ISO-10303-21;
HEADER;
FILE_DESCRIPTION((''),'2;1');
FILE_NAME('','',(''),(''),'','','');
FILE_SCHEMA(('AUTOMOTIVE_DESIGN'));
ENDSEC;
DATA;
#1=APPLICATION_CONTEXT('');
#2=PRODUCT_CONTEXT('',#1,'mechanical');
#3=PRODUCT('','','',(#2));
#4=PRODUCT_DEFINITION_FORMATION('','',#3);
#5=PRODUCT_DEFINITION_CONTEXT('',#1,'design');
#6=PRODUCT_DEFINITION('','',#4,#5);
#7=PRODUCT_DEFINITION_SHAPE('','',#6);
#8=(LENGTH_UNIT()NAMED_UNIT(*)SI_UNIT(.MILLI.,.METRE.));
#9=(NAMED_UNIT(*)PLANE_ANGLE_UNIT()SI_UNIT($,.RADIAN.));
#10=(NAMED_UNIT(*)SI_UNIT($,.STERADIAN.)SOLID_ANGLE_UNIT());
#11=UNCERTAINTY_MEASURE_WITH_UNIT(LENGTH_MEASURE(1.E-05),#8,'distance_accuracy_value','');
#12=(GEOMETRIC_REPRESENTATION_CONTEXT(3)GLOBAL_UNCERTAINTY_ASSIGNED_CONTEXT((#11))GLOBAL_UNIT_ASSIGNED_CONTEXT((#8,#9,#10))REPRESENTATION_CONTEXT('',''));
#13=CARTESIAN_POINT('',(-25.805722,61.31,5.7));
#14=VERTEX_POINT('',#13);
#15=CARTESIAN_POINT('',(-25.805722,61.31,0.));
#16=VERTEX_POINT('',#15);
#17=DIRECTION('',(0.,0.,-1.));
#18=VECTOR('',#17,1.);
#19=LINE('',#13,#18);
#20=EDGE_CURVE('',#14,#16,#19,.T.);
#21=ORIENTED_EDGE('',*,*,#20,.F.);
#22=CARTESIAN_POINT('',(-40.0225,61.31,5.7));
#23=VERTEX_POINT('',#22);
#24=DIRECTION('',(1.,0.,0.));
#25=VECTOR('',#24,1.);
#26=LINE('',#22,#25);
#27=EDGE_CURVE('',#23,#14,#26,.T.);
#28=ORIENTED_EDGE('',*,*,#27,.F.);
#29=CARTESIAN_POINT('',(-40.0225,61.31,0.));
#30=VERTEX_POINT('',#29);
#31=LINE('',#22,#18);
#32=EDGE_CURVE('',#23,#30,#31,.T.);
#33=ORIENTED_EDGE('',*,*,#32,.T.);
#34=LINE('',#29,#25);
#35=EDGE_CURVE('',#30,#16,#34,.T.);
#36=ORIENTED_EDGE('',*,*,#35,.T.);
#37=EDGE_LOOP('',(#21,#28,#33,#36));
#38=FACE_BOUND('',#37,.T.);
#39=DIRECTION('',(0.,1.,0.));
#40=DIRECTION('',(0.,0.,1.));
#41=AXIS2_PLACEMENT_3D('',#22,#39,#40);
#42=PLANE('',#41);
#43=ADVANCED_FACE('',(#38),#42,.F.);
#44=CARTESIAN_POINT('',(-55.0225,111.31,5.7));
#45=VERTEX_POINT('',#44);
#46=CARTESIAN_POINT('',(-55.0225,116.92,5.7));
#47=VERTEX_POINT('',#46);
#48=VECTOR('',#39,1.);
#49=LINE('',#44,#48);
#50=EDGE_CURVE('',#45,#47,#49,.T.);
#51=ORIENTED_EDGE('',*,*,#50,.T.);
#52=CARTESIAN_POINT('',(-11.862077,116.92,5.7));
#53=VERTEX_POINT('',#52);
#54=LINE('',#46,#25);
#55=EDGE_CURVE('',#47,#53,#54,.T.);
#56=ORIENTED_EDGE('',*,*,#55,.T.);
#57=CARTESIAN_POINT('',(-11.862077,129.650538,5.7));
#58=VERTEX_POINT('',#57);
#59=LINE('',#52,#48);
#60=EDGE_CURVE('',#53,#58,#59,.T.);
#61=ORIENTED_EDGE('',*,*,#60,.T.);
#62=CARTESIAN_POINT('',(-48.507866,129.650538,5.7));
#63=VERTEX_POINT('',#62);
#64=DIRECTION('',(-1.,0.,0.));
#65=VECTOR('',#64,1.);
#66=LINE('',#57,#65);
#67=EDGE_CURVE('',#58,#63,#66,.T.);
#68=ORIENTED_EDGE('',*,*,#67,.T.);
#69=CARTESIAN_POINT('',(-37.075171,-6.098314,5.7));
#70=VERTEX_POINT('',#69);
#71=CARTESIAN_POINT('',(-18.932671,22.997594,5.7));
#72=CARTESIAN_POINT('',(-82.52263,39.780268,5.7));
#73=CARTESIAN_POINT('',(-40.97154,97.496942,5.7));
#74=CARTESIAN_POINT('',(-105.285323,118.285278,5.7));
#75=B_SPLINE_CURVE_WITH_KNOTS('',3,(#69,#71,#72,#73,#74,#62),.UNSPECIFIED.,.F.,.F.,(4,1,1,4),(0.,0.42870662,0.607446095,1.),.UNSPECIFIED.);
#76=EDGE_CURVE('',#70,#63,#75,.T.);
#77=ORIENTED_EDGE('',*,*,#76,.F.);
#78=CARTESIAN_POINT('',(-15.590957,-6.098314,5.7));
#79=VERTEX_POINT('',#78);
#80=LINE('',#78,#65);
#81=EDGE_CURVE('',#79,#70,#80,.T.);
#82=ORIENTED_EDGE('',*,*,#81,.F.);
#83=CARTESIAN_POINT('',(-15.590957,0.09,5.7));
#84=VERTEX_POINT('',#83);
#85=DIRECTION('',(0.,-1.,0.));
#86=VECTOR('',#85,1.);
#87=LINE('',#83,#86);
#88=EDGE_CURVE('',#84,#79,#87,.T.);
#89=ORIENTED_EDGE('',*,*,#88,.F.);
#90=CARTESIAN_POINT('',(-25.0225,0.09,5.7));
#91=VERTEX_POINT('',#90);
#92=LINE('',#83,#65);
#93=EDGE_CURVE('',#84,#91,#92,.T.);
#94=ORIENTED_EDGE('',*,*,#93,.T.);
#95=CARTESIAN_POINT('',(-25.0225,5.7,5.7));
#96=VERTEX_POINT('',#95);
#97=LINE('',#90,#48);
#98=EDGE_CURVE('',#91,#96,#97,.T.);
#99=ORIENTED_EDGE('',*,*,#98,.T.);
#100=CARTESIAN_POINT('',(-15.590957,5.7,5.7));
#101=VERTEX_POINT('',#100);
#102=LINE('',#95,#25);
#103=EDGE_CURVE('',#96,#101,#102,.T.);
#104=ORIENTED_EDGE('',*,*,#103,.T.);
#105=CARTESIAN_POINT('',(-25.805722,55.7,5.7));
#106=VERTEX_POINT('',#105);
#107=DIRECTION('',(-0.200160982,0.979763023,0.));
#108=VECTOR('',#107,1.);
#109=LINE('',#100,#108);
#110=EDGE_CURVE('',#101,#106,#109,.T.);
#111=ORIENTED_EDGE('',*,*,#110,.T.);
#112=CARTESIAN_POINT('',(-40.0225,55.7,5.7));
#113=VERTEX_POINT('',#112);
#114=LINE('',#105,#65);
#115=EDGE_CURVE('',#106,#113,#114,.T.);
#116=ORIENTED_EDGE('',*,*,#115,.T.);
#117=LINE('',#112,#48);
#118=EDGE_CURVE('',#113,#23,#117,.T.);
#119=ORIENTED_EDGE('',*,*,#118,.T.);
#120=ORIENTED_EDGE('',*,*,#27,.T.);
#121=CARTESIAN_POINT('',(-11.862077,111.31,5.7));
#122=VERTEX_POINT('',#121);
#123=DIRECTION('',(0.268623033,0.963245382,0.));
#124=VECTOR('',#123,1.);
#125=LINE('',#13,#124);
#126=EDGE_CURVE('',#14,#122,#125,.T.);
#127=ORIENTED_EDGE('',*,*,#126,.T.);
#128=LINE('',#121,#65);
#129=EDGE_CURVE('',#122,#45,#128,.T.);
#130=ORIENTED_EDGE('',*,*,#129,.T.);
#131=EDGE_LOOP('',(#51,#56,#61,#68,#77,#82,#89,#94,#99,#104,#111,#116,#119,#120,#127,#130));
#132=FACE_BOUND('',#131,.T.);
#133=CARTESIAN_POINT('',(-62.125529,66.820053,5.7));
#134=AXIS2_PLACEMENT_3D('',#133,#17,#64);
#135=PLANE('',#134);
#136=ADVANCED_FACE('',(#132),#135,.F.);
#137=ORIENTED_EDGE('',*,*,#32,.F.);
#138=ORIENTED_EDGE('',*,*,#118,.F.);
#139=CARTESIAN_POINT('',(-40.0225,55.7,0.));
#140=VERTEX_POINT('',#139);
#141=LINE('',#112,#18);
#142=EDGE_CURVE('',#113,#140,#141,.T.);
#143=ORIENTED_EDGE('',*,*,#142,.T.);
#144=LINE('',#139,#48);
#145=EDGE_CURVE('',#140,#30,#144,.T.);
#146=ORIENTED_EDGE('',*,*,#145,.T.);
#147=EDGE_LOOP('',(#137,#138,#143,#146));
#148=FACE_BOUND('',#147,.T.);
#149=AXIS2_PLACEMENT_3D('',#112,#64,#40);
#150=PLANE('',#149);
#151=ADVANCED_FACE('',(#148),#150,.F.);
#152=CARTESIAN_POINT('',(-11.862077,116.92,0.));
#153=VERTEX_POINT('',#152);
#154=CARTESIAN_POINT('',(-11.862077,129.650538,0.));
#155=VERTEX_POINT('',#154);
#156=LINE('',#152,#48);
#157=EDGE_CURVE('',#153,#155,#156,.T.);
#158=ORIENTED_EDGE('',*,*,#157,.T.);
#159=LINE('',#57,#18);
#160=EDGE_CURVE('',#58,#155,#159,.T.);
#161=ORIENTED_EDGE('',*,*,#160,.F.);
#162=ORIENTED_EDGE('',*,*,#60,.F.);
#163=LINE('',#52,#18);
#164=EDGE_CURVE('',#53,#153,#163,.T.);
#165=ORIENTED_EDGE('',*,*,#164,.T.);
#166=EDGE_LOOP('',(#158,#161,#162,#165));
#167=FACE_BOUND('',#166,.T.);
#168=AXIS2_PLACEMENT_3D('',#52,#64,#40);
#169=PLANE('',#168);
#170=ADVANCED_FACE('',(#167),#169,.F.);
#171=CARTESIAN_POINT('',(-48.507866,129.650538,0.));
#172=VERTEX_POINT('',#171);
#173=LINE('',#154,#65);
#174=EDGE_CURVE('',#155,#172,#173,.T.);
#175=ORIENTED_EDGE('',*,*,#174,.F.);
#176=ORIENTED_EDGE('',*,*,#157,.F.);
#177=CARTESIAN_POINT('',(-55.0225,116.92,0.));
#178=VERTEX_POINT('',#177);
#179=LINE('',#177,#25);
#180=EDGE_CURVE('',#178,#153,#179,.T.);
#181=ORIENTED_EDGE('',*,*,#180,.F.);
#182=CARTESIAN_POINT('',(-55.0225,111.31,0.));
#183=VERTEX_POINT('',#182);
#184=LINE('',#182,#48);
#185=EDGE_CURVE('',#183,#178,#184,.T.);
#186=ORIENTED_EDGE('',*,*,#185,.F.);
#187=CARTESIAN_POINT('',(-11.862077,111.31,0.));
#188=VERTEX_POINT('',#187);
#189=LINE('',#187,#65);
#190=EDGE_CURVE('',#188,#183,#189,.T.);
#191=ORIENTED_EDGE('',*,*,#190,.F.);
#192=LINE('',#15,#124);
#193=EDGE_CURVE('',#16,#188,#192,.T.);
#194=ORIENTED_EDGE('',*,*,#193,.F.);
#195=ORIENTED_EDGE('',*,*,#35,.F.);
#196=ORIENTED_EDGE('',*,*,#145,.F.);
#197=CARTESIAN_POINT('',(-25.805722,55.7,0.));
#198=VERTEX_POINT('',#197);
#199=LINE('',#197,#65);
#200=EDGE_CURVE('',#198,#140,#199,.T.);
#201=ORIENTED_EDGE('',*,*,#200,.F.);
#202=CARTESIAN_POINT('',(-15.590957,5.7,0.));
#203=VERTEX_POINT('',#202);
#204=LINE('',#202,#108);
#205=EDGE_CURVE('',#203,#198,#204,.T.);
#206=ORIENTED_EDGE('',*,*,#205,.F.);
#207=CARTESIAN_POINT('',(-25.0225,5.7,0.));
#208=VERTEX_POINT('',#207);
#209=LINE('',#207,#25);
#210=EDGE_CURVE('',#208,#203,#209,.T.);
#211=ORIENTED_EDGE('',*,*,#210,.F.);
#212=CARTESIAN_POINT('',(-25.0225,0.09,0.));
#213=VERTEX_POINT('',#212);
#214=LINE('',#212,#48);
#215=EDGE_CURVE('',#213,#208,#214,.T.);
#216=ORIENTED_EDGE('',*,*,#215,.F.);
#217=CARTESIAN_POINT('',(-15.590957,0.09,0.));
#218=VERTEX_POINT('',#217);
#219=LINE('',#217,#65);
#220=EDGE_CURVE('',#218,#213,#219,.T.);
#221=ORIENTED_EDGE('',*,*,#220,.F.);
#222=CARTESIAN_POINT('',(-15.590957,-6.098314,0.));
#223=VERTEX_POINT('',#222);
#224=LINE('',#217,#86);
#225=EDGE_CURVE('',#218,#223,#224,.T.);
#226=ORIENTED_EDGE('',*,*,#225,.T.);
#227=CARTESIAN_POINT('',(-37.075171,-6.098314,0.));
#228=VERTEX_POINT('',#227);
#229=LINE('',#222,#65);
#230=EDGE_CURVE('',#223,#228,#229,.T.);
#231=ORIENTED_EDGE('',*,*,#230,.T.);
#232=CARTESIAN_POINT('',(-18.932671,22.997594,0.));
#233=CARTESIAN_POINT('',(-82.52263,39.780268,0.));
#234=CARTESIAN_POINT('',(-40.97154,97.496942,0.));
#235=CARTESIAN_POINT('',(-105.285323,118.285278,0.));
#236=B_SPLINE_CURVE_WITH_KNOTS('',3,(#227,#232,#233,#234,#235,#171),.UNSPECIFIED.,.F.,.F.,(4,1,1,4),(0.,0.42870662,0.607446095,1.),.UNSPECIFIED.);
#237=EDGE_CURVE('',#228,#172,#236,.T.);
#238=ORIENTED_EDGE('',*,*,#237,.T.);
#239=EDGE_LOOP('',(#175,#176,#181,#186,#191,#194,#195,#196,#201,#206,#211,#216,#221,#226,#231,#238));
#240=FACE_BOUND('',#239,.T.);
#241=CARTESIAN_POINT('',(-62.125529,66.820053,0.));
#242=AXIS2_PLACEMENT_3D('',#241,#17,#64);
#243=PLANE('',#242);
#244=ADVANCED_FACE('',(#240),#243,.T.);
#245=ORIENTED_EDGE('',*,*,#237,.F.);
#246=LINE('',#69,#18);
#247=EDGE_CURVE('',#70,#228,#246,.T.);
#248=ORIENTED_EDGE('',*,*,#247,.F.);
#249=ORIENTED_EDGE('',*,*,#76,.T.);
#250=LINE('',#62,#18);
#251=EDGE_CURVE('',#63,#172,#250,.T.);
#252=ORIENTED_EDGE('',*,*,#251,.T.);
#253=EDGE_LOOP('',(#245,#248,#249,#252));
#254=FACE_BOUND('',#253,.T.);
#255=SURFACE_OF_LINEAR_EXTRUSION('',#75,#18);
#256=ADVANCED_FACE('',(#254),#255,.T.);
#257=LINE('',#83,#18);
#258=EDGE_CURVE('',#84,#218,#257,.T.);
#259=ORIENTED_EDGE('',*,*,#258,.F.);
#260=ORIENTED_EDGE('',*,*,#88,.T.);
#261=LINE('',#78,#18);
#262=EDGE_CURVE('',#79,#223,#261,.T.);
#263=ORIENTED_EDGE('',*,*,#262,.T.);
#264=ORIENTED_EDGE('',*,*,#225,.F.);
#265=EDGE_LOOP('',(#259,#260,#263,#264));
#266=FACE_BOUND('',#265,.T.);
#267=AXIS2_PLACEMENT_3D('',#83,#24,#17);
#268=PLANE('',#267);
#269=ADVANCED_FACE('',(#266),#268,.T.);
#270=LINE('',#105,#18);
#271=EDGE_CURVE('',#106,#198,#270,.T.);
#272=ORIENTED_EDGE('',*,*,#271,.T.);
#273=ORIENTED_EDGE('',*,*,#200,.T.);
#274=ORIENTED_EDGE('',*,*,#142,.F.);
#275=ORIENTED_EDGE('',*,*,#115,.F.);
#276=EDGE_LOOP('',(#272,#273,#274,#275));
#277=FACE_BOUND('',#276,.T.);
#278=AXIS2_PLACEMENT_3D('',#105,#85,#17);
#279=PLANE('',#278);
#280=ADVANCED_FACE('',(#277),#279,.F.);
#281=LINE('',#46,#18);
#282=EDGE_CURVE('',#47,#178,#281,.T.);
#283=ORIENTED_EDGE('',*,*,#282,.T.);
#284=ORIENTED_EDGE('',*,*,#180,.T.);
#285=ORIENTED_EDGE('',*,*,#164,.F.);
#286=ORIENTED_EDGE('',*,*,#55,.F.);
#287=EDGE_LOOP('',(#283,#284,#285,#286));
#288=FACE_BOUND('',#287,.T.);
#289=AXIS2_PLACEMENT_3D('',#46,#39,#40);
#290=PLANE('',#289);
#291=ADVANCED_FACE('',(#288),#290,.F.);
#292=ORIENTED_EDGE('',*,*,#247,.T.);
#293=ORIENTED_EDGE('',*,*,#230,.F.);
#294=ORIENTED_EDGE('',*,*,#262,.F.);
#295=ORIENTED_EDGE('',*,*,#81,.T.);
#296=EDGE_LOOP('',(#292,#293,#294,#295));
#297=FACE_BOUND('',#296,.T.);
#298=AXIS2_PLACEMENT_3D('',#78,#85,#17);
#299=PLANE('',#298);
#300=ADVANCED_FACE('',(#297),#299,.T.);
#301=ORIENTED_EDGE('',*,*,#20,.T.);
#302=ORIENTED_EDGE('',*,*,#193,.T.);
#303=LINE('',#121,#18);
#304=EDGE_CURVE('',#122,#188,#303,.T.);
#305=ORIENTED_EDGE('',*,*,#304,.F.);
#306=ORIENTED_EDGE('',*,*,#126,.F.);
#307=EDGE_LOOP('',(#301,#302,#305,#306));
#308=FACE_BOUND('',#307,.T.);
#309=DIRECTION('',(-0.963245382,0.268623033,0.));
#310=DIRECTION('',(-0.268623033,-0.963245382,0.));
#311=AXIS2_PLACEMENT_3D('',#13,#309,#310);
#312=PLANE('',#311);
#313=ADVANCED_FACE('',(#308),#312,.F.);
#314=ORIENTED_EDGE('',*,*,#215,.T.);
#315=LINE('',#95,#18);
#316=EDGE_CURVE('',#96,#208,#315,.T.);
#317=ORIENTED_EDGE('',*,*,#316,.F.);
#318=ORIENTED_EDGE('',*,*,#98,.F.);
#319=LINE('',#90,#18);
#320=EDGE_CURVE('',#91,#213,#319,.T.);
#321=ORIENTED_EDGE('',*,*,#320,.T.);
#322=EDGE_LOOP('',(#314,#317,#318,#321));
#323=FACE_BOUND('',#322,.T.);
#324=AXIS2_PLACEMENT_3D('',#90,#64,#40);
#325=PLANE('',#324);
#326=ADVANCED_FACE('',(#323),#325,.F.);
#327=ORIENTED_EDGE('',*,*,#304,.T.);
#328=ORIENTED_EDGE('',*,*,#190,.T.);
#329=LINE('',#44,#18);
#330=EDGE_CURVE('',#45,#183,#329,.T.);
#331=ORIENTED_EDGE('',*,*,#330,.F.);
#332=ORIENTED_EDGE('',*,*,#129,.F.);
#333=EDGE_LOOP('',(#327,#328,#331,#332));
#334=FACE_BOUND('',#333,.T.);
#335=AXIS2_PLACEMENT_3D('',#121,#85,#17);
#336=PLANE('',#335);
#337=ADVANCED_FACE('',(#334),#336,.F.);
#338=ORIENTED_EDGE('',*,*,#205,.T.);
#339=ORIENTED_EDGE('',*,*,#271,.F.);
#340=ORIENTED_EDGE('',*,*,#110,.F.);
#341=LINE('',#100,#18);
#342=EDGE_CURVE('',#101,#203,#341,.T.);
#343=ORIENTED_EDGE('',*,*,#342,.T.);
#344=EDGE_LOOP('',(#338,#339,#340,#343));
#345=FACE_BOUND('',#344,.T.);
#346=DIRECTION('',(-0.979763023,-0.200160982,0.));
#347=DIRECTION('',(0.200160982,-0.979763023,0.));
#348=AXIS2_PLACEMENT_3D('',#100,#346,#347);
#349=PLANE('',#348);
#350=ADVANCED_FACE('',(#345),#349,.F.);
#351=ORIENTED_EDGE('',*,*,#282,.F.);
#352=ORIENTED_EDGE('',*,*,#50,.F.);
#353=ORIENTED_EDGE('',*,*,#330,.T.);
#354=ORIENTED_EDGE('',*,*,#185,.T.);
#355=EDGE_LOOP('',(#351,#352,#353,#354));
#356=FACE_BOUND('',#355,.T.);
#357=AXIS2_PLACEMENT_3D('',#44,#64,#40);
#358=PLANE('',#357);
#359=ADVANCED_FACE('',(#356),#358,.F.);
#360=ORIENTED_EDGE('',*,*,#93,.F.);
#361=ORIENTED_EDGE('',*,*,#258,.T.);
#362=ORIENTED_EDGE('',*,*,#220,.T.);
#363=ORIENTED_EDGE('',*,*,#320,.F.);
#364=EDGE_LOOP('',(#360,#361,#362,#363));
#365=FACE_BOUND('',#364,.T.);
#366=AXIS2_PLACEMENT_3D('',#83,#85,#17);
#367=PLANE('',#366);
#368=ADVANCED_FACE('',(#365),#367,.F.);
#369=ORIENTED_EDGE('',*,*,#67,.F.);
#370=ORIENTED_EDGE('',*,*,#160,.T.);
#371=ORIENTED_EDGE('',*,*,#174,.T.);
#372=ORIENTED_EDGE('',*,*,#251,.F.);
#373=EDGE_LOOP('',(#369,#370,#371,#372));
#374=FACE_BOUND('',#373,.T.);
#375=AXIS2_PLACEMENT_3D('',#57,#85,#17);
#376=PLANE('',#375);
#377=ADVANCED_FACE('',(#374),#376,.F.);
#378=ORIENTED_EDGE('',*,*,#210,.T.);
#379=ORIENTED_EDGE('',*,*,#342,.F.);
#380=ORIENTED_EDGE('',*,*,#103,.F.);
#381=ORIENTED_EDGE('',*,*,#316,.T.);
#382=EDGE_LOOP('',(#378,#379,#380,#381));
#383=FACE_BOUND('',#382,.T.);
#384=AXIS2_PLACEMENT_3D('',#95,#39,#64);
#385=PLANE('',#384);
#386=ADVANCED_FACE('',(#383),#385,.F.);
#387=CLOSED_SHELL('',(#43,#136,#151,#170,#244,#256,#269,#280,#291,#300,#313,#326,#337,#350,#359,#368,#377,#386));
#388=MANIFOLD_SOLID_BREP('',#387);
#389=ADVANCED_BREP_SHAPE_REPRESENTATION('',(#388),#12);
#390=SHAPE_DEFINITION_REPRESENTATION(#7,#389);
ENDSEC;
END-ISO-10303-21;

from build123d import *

# Parameters (mm, degrees)
ESTRUSIONE_ESTRUSIONE1_DEPTH = 5.7


with BuildPart() as part:
    # Model → Estrusione-Estrusione1 (new body)
    with BuildSketch(Plane.XY):
        with BuildLine():
            Line((-15.590957203, -6.098313674), (-37.075171155, -6.098313674))
            add(Edge.make_bspline(
                [(-37.075171155, -6.098313674), (-18.932670585, 22.997594141), (-82.522630452, 39.780268479), (-40.971539706, 97.496941546), (-105.285323281, 118.285278382), (-48.507865771, 129.650537837)],
                knots=[0, 0, 0, 0, 0.42870662, 0.607446095, 1, 1, 1, 1], degree=3))
            Line((-48.507865771, 129.650537837), (-11.862077277, 129.650537837))
            Line((-11.862077277, 129.650537837), (-11.862077277, 116.92))
            Line((-11.862077277, 116.92), (-55.0225, 116.92))
            Line((-55.0225, 116.92), (-55.0225, 111.31))
            Line((-55.0225, 111.31), (-11.862077277, 111.31))
            Line((-11.862077277, 111.31), (-25.805722267, 61.31))
            Line((-25.805722267, 61.31), (-40.0225, 61.31))
            Line((-40.0225, 61.31), (-40.0225, 55.7))
            Line((-40.0225, 55.7), (-25.805722267, 55.7))
            Line((-25.805722267, 55.7), (-15.590957203, 5.7))
            Line((-15.590957203, 5.7), (-25.0225, 5.7))
            Line((-25.0225, 5.7), (-25.0225, 0.09))
            Line((-25.0225, 0.09), (-15.590957203, 0.09))
            Line((-15.590957203, 0.09), (-15.590957203, -6.098313674))
        make_face()
    extrude(amount=ESTRUSIONE_ESTRUSIONE1_DEPTH)


solid = part.part
